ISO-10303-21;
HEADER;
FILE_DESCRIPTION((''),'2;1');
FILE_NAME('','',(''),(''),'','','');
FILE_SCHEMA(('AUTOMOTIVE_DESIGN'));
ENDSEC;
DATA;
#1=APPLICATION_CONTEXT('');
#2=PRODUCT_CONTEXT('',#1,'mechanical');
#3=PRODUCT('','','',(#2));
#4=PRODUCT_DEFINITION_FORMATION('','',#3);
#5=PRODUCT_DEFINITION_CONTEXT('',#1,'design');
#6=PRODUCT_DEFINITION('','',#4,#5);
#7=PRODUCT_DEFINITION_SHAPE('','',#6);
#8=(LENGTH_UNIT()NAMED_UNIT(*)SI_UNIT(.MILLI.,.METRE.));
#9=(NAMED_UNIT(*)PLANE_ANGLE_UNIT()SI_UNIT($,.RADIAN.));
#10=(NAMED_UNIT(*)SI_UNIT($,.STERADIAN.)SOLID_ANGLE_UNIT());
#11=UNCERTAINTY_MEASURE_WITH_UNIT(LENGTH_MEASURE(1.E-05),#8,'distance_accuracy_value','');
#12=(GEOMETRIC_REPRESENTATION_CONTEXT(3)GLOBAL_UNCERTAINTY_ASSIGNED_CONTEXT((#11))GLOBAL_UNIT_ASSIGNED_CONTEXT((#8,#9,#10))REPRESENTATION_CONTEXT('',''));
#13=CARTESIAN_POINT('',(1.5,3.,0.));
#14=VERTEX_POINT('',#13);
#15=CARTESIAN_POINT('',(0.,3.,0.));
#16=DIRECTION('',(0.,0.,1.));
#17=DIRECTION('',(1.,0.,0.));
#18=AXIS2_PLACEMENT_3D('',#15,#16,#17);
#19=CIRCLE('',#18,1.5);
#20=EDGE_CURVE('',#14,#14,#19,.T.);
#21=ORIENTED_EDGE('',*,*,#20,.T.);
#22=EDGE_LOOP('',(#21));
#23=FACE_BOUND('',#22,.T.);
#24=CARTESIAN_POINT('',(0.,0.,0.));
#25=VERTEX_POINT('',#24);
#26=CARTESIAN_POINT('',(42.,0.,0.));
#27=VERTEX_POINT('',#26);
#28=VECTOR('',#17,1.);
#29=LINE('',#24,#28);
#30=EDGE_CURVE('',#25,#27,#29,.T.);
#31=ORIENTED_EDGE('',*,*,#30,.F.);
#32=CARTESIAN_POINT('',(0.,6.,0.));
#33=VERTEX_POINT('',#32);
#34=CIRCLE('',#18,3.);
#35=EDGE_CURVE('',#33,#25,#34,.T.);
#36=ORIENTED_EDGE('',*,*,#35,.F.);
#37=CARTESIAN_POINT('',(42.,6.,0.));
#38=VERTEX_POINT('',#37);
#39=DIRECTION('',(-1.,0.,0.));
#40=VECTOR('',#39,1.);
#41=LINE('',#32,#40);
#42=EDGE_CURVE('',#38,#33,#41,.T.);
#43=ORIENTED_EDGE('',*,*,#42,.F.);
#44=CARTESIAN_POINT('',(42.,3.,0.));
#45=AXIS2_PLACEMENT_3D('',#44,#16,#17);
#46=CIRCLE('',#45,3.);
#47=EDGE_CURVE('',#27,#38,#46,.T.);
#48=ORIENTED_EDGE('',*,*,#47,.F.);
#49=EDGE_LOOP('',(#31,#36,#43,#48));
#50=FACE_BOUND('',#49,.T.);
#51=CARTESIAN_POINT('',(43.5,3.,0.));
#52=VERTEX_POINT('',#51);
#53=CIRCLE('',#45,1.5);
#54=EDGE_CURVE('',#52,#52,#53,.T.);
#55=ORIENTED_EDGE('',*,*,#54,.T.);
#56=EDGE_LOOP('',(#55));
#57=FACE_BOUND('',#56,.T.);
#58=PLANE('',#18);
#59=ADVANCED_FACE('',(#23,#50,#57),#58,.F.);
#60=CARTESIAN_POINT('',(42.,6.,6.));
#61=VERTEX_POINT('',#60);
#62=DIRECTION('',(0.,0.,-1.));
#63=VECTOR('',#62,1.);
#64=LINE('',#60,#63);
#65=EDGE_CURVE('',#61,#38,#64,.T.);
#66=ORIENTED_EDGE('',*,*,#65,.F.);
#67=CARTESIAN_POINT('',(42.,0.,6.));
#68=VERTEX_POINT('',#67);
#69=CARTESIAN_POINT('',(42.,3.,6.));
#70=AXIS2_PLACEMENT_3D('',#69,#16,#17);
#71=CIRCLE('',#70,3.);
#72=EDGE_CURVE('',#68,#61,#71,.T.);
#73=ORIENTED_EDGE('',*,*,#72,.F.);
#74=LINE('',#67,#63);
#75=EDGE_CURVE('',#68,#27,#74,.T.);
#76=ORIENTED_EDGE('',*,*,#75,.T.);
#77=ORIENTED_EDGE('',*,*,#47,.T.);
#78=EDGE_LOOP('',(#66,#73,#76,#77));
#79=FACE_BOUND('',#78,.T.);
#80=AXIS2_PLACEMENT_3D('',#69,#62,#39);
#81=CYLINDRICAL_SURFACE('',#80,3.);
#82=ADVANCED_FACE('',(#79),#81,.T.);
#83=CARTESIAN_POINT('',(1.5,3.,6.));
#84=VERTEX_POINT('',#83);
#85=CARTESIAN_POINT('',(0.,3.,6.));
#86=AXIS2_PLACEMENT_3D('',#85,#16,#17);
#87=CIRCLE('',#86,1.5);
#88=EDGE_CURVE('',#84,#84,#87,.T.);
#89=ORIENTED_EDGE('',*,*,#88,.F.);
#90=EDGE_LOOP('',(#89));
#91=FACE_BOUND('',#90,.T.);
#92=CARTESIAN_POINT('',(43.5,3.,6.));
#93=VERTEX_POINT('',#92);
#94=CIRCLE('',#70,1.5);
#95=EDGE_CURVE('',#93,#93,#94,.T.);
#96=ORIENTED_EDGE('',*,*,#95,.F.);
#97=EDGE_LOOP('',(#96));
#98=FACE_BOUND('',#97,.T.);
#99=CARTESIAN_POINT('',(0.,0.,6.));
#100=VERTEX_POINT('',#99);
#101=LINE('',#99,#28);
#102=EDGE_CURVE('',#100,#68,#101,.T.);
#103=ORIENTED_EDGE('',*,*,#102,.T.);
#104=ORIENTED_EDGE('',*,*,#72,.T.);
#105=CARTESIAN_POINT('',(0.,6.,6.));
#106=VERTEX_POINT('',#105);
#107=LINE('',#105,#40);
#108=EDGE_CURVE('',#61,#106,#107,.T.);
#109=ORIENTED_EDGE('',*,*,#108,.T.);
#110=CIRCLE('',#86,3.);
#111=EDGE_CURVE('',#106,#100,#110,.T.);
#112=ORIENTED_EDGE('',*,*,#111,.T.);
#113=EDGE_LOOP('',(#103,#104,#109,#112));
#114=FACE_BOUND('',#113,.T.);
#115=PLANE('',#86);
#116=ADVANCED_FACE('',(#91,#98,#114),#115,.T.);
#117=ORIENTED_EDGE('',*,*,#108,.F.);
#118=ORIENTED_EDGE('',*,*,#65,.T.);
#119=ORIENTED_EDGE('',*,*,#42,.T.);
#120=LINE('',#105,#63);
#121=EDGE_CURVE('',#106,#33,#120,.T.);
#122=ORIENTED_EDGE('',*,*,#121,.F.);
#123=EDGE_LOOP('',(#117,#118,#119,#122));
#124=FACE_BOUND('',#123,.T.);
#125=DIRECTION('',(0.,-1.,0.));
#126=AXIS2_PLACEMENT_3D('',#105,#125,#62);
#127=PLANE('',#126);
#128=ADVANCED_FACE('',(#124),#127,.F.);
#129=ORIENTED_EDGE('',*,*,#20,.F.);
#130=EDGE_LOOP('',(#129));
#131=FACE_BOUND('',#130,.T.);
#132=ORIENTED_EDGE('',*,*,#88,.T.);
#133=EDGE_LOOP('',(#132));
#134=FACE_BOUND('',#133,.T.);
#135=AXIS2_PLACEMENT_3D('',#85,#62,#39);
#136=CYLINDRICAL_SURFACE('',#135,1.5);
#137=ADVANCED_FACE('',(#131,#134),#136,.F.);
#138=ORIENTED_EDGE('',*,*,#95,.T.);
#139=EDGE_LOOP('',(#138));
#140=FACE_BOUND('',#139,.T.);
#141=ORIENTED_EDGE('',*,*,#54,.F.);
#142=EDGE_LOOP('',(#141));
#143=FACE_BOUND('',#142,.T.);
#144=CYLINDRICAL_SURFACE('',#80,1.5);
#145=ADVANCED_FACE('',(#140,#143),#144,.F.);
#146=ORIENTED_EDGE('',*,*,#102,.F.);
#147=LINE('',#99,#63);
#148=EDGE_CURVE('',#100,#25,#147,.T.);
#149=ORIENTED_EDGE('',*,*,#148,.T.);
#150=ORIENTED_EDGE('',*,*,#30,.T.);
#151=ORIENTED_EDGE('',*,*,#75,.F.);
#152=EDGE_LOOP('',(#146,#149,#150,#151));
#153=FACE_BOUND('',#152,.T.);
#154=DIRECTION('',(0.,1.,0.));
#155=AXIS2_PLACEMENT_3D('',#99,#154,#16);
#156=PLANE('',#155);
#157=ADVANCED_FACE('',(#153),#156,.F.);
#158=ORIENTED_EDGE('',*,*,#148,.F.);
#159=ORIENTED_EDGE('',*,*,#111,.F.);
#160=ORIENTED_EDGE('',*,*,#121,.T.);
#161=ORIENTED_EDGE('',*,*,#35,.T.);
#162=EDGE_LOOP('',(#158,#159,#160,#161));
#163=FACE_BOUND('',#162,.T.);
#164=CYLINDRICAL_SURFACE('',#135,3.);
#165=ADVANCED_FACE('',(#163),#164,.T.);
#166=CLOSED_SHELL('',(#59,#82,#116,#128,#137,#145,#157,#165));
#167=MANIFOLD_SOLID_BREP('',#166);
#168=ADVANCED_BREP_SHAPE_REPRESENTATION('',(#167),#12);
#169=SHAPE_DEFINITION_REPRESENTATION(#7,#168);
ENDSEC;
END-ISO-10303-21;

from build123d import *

# Parameters (mm, degrees)
SKETCH1_R           = 1.5
BOSS_EXTRUDE1_DEPTH = 6


with BuildPart() as part:
    # Sketch1 → Boss-Extrude1 (new body)
    with BuildSketch(Plane.XY):
        with BuildLine():
            Line((0, 0), (42, 0))
            ThreePointArc((42, 0), (45, 3), (42, 6))
            Line((42, 6), (0, 6))
            ThreePointArc((0, 6), (-3, 3), (0, 0))
        make_face()
        with Locations((0, 3)):
            Circle(SKETCH1_R, mode=Mode.SUBTRACT)
        with Locations((42, 3)):
            Circle(SKETCH1_R, mode=Mode.SUBTRACT)
    extrude(amount=BOSS_EXTRUDE1_DEPTH)


solid = part.part
